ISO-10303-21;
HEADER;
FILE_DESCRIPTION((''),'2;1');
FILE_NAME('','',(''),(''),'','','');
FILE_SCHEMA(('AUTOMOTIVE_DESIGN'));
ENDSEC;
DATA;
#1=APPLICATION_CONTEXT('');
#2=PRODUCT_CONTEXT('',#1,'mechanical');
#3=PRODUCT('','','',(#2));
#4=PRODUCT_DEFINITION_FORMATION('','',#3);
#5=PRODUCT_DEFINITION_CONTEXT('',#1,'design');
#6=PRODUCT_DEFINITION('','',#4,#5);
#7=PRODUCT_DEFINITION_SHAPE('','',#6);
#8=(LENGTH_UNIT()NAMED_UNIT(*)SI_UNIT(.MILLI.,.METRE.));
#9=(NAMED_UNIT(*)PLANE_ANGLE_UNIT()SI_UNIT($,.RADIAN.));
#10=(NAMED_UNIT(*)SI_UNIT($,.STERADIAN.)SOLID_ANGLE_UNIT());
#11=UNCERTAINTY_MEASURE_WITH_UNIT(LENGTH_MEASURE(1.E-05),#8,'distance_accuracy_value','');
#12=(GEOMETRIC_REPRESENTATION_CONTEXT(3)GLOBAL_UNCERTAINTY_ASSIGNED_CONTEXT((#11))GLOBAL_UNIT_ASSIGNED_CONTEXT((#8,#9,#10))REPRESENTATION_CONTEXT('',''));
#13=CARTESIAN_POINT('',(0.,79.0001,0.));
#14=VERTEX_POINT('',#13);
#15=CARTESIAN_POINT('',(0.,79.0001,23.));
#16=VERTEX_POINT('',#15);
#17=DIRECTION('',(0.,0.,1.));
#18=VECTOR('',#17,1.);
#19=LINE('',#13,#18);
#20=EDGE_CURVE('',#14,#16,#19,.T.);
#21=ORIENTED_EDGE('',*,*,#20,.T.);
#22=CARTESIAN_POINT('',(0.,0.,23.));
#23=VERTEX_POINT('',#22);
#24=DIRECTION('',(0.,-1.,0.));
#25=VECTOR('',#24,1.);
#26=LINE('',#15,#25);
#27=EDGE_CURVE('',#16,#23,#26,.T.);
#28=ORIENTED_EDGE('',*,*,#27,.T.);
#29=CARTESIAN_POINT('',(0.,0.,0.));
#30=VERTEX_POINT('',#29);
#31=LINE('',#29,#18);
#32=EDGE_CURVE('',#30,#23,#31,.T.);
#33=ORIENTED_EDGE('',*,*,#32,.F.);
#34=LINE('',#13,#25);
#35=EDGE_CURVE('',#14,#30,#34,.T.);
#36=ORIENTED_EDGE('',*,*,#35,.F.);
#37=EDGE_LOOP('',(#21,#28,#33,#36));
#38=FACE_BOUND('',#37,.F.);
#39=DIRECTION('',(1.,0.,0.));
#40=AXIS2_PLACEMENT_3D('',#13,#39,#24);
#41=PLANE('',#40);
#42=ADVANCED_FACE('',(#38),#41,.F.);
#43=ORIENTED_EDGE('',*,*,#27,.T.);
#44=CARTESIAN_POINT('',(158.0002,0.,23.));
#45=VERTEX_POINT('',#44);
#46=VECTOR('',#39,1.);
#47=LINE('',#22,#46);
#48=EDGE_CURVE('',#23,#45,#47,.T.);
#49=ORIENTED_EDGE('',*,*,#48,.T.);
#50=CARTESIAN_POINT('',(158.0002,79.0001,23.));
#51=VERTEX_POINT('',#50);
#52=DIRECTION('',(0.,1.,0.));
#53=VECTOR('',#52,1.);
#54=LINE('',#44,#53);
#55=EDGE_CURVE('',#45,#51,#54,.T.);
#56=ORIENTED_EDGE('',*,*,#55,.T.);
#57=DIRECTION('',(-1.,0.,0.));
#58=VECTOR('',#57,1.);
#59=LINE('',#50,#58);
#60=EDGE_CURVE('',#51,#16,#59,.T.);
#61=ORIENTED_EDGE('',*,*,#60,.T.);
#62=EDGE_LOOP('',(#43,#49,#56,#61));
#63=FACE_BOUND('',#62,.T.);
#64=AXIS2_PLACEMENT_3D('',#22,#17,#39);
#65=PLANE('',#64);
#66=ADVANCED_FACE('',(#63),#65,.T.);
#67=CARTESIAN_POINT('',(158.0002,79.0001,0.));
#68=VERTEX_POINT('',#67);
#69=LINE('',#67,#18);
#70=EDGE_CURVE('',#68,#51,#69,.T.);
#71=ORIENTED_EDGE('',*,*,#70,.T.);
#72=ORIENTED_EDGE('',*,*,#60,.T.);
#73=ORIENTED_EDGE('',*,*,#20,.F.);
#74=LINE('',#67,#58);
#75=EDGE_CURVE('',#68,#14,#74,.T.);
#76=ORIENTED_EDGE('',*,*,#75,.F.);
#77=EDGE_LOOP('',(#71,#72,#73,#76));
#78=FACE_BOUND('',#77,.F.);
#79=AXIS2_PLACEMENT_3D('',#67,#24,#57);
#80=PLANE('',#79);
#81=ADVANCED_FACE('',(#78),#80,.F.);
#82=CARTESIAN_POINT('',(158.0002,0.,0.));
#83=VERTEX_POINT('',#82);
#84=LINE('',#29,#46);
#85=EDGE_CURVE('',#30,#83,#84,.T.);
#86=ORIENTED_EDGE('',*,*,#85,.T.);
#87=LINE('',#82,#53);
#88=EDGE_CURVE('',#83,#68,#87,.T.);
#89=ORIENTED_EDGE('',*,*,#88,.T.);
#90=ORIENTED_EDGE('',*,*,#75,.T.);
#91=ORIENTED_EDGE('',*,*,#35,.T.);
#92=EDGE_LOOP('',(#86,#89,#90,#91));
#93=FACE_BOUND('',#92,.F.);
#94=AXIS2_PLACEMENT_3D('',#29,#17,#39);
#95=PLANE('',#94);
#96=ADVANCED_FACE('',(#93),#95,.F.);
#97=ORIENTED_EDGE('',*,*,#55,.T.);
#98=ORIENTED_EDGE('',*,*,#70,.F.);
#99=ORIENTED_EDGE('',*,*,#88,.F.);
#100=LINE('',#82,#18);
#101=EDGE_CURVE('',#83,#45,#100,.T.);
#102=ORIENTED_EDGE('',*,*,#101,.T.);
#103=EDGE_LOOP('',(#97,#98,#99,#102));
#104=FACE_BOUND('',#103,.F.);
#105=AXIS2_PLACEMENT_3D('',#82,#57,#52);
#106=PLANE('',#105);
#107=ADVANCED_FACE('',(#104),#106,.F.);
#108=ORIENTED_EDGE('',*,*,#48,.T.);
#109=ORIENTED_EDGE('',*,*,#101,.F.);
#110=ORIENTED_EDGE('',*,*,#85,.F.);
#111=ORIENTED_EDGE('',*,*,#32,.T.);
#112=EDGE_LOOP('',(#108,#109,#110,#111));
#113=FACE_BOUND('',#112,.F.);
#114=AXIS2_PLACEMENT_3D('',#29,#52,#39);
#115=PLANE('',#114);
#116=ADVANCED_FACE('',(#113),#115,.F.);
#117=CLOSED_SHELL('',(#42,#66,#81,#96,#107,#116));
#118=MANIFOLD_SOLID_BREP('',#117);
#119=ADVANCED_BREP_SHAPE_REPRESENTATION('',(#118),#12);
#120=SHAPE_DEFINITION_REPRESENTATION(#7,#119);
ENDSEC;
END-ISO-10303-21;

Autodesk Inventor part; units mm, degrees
ref_plane "YZ Plane" through (0, 0, 0) normal (1, 0, 0) x (0, 1, 0)
ref_plane "XZ Plane" through (0, 0, 0) normal (0, 1, 0) x (-1, 0, 0)
ref_plane "XY Plane" through (0, 0, 0) normal (0, 0, 1) x (1, 0, 0)
sketch "Sketch1" plane through (0, 0, 0) normal (0, 0, 1) x (1, 0, 0)
  line L0 (0, 0) -> (158.0002, 0)
  line L1 (158.0002, 0) -> (158.0002, 79.0001)
  line L2 (158.0002, 79.0001) -> (0, 79.0001)
  line L3 (0, 79.0001) -> (0, 0)
  dimension "d0" = 158.0002
  dimension "d1" = 79.0001
extrude "Extrusion1" add sketch "Sketch1" along normal blind 23
properties part number "Battery_Cell"
